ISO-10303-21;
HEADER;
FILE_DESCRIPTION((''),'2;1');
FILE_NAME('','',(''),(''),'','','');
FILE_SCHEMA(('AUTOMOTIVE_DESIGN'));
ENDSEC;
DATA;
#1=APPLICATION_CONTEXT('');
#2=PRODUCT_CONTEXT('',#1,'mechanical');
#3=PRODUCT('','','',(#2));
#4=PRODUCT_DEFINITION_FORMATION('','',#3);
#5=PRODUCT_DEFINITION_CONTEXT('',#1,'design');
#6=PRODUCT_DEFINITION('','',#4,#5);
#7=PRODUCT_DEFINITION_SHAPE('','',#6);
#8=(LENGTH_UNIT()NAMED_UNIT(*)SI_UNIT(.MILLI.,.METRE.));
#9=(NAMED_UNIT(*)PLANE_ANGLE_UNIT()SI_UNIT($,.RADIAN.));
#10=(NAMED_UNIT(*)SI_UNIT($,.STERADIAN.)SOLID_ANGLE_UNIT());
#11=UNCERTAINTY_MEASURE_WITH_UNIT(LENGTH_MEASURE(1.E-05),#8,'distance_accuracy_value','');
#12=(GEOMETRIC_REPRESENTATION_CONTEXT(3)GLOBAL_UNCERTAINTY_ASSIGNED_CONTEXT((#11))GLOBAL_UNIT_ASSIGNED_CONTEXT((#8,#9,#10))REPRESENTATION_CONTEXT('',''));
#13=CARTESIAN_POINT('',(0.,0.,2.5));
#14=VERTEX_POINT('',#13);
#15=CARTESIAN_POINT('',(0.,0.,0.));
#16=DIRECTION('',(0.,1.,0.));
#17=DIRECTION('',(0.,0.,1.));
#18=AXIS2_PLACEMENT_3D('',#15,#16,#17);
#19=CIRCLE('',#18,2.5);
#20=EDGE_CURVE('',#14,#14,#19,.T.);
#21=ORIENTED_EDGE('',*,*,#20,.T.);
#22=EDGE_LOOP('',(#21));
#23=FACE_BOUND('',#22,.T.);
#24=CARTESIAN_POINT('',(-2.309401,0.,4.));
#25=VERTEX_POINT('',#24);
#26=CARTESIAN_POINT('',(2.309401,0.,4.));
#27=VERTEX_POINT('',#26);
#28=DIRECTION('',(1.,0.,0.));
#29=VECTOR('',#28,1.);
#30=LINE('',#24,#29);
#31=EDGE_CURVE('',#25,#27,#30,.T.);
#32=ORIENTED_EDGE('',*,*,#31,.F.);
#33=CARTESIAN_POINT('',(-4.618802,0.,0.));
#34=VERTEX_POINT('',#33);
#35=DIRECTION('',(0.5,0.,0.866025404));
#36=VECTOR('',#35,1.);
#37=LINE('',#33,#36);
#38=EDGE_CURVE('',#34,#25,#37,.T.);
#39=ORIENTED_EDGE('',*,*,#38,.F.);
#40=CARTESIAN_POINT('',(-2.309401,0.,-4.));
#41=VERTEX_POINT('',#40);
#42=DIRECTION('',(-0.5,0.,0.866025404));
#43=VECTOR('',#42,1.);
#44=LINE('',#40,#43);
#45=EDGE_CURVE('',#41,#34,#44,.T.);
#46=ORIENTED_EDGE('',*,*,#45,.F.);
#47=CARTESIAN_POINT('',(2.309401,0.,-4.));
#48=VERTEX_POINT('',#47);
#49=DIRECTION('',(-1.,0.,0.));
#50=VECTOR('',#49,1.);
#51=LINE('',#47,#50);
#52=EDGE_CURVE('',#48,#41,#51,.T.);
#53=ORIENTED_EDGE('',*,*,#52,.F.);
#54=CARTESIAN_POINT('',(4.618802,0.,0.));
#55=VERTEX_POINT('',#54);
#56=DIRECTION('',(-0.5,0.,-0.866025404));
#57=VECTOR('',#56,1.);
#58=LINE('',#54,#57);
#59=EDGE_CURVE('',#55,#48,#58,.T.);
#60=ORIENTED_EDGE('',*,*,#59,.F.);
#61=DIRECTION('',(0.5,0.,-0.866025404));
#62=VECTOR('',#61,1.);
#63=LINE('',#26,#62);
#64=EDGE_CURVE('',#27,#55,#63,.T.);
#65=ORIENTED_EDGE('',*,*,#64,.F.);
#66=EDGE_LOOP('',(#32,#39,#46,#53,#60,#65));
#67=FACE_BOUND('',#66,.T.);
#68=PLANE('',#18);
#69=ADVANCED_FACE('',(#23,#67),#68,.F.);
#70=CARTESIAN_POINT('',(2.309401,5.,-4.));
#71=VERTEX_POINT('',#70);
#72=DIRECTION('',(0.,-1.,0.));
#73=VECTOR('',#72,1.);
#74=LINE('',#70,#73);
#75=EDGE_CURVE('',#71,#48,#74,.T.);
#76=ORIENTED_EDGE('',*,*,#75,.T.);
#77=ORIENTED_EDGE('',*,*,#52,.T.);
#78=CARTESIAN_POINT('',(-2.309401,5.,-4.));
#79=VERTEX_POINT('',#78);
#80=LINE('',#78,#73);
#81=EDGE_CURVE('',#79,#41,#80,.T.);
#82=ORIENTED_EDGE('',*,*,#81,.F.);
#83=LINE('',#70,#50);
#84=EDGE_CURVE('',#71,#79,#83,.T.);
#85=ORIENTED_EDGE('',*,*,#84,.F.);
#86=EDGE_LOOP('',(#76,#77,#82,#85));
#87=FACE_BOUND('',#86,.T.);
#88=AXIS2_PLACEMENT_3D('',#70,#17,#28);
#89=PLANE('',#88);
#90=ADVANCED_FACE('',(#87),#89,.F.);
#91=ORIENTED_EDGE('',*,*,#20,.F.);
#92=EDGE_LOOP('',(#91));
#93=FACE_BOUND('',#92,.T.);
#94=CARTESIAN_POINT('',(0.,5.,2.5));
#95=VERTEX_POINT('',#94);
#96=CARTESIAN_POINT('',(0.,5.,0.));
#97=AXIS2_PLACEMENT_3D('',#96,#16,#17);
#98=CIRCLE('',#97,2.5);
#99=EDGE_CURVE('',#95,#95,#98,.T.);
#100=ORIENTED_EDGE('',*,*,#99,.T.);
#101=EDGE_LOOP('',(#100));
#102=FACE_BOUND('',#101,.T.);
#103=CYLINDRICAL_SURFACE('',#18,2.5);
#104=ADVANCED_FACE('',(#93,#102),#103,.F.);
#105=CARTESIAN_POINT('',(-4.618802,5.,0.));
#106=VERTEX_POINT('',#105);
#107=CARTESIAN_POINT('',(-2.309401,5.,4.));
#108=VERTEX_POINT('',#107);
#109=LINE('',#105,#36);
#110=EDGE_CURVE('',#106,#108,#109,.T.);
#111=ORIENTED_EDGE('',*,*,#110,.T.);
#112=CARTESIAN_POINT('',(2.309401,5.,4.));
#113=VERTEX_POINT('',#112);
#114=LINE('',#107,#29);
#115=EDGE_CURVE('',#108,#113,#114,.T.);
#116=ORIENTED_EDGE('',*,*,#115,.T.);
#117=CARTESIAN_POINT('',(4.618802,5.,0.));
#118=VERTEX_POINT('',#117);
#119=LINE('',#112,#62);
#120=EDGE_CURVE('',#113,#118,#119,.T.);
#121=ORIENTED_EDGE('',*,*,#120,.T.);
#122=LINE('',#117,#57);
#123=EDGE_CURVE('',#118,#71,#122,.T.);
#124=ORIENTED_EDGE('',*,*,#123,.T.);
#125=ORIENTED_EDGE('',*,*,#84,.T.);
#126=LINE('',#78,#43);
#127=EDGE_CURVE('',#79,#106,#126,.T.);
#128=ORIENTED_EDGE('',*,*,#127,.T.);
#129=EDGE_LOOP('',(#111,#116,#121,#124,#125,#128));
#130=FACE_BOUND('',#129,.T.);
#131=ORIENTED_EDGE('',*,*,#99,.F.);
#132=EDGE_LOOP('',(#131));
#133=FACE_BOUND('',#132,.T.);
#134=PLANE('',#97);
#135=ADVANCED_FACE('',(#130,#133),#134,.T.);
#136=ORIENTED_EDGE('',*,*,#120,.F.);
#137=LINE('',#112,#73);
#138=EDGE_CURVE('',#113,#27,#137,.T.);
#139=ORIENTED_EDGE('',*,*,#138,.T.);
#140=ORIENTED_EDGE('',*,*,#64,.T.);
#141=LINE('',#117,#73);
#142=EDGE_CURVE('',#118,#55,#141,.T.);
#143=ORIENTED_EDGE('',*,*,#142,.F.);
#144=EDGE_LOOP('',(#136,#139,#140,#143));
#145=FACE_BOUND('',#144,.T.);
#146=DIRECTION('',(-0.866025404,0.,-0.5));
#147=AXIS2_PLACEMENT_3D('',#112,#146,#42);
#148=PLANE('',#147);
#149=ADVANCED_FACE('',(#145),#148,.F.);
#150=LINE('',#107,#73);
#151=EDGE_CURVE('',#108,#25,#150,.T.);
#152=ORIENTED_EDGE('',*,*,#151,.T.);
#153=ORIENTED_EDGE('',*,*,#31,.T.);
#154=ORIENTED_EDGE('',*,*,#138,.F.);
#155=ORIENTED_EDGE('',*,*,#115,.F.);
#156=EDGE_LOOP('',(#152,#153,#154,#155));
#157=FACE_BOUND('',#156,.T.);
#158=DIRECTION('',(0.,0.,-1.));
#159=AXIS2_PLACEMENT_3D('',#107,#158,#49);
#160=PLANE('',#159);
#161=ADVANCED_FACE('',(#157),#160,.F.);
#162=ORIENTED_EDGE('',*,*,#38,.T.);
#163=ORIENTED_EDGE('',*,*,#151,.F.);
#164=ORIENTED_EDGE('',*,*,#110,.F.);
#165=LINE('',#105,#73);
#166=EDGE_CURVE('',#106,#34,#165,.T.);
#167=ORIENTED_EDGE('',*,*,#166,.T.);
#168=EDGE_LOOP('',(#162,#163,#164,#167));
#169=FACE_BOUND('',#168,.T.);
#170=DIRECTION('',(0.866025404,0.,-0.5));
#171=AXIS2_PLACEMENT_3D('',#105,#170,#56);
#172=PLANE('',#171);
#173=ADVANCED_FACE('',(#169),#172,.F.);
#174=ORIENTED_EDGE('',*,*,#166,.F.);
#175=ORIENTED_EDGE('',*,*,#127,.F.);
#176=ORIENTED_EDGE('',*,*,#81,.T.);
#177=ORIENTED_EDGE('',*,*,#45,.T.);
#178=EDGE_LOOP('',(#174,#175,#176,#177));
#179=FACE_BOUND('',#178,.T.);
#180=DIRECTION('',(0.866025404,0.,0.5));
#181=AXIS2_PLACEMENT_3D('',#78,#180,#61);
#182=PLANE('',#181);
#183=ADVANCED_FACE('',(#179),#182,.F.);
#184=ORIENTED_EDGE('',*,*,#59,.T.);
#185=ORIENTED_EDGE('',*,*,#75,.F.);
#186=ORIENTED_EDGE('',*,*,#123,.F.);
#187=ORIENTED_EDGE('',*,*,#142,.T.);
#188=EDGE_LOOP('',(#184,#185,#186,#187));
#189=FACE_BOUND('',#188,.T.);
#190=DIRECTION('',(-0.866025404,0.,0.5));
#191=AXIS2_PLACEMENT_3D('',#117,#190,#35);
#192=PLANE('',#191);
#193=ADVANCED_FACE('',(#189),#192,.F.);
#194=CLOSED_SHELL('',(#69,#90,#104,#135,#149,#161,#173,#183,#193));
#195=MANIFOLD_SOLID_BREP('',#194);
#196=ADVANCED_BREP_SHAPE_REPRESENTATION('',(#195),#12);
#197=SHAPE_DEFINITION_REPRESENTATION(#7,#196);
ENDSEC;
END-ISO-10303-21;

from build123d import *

# Parameters (mm, degrees)
BOSS_EXTRUDE1_DEPTH = 5
SKETCH3_R           = 2.5
CUT_EXTRUDE1_DEPTH  = 6


with BuildPart() as part:
    # Sketch2 → Boss-Extrude1 (new body)
    with BuildSketch(Plane(origin=(0, 0, 0), x_dir=(1, 0, 0), z_dir=(0, 1, 0))):
        Polygon((4.618802154, 0), (2.309401077, 4), (-2.309401077, 4), (-4.618802154, 0), (-2.309401077, -4), (2.309401077, -4), align=None)
    extrude(amount=BOSS_EXTRUDE1_DEPTH)

    # Sketch3 → Cut-Extrude1 (cut, through all)
    with BuildSketch(Plane(origin=(0, 5, 0), x_dir=(1, 0, 0), z_dir=(0, 1, 0))):
        Circle(SKETCH3_R)
    extrude(amount=-CUT_EXTRUDE1_DEPTH, mode=Mode.SUBTRACT)


solid = part.part
